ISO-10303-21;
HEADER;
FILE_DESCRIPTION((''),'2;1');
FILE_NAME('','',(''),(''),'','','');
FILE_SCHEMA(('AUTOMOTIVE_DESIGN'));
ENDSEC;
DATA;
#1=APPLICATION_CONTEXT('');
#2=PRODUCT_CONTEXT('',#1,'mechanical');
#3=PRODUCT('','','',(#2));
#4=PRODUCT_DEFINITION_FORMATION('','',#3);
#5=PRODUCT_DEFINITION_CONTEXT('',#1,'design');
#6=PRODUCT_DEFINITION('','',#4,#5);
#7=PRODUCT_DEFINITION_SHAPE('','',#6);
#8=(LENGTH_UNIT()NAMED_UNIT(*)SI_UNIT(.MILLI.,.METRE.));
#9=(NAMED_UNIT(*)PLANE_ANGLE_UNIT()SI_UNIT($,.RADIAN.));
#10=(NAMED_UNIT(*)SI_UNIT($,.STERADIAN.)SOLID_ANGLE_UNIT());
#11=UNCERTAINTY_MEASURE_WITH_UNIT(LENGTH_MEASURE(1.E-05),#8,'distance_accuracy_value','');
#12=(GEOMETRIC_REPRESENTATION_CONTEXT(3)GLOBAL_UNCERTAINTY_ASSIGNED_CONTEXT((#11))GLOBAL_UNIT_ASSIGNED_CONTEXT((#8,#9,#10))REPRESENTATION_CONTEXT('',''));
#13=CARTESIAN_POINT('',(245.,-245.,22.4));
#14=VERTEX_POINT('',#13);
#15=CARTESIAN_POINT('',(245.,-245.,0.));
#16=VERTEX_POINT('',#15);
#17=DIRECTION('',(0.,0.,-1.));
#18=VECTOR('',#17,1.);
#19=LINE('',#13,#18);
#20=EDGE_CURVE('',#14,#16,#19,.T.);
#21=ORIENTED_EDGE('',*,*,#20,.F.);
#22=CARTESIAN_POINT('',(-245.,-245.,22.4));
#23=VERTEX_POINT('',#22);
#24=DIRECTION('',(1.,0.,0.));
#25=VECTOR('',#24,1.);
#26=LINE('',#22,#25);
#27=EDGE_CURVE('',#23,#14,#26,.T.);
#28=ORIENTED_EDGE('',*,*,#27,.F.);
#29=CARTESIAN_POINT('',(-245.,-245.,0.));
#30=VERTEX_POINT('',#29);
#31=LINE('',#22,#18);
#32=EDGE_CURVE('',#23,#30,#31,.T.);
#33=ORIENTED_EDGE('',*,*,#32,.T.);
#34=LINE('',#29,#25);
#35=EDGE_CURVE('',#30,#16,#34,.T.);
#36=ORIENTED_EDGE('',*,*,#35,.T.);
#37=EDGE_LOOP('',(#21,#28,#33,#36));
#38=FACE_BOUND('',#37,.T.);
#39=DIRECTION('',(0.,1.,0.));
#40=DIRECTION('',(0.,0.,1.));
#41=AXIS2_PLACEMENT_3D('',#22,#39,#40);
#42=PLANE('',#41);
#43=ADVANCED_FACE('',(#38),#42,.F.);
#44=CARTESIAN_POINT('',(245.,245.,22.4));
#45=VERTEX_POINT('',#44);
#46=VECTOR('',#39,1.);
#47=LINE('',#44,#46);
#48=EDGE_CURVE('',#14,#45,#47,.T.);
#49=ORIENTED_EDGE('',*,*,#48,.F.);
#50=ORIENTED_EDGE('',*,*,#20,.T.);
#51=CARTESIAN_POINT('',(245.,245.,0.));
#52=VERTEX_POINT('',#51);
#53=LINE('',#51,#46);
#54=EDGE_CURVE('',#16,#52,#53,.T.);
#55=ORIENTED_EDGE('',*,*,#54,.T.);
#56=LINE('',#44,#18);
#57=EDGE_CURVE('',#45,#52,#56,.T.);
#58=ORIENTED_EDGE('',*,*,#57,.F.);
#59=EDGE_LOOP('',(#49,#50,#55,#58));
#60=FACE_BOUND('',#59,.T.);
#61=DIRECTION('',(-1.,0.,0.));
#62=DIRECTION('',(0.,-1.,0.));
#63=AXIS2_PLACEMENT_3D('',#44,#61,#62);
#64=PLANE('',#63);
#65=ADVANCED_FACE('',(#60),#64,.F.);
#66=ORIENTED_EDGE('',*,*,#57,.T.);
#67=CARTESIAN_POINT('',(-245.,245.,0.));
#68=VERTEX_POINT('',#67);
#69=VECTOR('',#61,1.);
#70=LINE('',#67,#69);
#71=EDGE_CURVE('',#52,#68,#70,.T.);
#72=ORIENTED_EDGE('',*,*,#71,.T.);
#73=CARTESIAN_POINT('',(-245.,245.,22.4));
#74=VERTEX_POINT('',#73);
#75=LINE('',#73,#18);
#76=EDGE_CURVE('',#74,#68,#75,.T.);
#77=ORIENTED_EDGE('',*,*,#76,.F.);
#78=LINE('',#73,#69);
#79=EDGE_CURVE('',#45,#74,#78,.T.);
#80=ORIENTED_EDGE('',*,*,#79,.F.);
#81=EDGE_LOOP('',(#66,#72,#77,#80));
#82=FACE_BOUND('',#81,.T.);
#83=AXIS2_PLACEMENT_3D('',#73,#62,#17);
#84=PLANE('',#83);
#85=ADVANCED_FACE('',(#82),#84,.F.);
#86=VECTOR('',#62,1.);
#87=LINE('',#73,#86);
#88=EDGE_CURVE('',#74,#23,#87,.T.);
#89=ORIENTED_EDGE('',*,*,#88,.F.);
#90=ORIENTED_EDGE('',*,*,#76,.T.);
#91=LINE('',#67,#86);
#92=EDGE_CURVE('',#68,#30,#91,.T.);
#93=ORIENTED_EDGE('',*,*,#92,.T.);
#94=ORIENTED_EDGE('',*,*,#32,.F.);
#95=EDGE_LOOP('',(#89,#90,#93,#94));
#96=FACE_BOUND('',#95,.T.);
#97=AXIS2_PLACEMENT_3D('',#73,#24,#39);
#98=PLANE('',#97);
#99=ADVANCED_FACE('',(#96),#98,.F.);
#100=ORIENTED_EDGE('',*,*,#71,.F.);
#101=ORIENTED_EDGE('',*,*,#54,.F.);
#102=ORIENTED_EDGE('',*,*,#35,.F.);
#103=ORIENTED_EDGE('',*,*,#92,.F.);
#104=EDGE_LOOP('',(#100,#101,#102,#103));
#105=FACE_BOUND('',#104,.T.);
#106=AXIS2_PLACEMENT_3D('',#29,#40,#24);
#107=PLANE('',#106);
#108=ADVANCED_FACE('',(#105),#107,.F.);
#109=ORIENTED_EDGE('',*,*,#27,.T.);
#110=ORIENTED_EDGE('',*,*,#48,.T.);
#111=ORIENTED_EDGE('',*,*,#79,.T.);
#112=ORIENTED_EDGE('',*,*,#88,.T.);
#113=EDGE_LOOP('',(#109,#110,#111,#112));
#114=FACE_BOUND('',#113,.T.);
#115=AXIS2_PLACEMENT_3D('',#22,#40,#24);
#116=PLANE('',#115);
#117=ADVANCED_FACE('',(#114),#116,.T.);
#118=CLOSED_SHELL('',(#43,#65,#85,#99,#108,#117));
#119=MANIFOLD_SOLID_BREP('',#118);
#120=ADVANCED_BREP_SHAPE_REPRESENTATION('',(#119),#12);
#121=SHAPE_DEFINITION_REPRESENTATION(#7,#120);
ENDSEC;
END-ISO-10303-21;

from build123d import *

# Parameters (mm, degrees)
ESBO_O1_W                = 490
ESBO_O1_H                = 490
RESSALTO_EXTRUS_O1_DEPTH = 22.4


with BuildPart() as part:
    # Esboço1 → Ressalto-extrusão1 (new body)
    with BuildSketch(Plane.XY):
        Rectangle(ESBO_O1_W, ESBO_O1_H)
    extrude(amount=RESSALTO_EXTRUS_O1_DEPTH)


solid = part.part
